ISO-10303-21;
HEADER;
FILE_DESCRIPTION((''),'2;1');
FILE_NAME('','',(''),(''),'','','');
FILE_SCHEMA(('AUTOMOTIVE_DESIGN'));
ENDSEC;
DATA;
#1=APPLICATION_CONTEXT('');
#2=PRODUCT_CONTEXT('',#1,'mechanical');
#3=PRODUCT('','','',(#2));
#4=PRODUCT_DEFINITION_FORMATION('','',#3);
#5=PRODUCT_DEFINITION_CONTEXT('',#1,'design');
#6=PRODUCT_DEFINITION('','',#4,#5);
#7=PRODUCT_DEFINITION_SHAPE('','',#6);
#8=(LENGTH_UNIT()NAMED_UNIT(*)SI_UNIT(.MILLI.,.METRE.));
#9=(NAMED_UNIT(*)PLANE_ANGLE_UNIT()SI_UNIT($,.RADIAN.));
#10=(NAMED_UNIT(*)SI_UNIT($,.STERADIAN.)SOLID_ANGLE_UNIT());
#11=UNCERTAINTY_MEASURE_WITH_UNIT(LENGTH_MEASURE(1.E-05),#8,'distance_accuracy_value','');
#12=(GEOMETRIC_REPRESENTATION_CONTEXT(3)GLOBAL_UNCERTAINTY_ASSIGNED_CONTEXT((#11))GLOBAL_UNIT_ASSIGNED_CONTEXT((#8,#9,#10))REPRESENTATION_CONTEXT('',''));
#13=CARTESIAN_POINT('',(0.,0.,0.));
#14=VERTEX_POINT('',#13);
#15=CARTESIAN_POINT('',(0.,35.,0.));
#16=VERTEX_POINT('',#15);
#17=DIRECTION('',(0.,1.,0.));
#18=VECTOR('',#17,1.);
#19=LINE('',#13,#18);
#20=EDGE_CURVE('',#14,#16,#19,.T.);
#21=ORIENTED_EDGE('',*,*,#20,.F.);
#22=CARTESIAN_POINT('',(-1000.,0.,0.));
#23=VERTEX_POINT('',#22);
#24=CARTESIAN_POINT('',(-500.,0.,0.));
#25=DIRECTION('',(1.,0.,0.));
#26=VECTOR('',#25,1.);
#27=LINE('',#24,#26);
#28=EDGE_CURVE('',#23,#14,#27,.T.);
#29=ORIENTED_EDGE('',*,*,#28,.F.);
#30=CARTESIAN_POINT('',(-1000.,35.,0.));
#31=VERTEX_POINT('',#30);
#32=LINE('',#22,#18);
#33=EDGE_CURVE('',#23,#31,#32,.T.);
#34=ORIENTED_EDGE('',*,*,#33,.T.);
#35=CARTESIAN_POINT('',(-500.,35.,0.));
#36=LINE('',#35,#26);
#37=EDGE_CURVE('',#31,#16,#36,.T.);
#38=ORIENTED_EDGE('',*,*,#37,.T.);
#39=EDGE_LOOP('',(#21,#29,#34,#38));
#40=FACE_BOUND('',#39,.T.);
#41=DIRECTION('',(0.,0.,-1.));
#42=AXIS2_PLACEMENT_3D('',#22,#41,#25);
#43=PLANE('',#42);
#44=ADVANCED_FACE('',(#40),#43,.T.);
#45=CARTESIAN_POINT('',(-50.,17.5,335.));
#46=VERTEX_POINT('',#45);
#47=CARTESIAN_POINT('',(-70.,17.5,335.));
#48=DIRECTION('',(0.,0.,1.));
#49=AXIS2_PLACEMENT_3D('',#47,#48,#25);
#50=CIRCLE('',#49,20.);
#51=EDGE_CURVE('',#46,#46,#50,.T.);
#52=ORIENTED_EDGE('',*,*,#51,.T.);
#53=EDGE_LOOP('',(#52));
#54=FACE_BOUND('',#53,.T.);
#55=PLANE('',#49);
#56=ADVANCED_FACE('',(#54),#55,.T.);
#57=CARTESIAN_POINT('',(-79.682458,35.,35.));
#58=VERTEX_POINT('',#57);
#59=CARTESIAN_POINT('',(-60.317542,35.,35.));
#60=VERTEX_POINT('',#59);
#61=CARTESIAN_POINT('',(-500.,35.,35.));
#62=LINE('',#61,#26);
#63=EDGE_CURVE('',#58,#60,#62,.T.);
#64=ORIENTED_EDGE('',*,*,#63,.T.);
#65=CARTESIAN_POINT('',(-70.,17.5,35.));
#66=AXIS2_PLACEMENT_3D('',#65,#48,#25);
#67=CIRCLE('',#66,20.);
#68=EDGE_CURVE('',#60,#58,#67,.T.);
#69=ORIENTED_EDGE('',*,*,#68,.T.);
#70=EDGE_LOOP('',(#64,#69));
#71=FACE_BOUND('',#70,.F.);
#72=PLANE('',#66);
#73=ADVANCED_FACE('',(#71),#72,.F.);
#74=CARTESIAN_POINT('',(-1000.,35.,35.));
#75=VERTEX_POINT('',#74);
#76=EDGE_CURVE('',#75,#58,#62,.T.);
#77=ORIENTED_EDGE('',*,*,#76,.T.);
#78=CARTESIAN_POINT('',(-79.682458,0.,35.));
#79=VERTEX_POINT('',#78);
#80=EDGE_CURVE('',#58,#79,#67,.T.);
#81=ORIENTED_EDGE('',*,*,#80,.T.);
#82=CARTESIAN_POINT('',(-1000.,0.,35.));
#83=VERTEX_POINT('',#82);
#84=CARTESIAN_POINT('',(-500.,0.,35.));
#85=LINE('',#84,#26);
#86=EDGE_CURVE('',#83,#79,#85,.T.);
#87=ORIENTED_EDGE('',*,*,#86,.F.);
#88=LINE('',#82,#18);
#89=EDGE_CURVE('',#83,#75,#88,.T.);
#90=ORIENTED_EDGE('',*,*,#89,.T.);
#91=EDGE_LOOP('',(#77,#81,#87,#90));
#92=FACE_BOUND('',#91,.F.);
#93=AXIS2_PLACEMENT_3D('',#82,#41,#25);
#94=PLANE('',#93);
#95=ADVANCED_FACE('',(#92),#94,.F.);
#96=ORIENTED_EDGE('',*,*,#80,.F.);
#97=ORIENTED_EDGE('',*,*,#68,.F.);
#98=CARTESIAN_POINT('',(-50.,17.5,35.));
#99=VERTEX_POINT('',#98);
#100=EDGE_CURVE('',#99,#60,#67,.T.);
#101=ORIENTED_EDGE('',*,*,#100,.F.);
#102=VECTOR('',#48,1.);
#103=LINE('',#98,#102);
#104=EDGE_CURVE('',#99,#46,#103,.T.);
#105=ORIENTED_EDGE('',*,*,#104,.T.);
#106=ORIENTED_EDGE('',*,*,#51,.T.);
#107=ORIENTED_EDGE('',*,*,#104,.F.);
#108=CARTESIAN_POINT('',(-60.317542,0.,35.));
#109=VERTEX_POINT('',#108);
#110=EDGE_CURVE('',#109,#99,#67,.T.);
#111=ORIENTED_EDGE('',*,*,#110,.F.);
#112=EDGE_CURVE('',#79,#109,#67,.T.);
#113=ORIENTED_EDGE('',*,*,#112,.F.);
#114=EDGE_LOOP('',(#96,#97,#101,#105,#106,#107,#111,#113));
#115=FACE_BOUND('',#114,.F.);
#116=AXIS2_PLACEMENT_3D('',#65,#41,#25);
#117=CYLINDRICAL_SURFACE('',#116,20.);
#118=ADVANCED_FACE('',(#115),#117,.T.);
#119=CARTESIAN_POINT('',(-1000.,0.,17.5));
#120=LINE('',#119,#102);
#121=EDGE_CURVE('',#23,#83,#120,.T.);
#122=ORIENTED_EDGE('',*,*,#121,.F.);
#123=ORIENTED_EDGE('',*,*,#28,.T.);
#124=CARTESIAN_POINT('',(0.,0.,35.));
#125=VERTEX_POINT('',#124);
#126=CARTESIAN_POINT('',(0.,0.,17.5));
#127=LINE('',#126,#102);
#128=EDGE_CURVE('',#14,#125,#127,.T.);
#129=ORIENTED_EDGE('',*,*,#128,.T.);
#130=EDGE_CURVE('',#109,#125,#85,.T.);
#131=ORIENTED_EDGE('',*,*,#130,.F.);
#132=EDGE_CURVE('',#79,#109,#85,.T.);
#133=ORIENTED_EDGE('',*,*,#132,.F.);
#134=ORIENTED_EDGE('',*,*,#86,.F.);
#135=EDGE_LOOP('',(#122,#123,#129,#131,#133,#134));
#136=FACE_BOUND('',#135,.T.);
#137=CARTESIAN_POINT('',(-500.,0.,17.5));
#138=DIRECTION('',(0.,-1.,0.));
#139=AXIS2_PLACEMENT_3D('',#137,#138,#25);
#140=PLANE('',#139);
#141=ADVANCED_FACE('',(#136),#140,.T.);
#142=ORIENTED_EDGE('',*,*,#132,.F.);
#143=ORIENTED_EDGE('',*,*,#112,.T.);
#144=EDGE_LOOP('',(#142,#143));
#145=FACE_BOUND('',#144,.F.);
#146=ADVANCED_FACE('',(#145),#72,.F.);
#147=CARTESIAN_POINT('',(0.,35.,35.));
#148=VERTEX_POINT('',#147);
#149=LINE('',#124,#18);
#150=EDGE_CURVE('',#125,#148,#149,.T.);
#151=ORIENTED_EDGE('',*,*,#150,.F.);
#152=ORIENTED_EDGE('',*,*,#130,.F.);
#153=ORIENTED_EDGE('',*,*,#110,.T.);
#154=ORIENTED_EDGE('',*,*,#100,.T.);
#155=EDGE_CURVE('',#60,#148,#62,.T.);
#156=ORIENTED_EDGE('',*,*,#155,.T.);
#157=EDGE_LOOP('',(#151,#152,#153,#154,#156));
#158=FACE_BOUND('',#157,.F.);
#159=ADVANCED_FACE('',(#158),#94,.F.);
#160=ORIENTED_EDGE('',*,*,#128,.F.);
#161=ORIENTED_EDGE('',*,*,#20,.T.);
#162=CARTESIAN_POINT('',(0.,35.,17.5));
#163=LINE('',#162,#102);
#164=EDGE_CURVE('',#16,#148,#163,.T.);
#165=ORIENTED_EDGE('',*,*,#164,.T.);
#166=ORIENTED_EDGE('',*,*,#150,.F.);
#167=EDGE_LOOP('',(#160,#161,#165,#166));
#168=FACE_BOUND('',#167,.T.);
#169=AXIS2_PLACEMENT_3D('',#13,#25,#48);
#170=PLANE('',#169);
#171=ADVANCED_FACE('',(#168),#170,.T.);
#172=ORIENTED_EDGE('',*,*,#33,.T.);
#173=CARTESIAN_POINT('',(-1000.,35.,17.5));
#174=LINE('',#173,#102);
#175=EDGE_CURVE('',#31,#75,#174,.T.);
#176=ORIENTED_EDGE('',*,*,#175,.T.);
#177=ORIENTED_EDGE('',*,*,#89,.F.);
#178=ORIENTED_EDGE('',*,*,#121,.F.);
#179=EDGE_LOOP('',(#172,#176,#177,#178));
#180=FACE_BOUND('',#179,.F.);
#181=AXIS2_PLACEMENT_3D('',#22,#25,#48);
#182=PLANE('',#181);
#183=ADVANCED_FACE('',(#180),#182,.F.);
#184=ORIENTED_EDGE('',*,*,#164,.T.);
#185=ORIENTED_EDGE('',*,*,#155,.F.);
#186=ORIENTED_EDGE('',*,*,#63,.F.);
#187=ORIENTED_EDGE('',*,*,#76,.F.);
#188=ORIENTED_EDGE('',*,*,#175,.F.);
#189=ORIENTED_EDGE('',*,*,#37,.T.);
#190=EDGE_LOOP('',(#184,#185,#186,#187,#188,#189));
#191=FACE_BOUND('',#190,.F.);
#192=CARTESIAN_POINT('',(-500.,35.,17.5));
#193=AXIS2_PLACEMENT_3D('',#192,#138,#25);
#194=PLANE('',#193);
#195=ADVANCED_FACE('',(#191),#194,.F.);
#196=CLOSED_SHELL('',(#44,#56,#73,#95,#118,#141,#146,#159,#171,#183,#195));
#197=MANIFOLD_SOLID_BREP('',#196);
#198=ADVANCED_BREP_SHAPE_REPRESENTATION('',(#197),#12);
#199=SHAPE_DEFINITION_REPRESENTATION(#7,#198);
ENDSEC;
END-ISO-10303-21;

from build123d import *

# Parameters (mm, degrees)
F0_W     = 1000
F0_H     = 35
F1_DEPTH = 35
F2_R     = 20
F3_DEPTH = 300


with BuildPart() as f1:
    # F0 (on Front) → F1 (new body)
    with BuildSketch(Plane.XZ):
        with Locations((-500, 17.5)):
            Rectangle(F0_W, F0_H)
    extrude(amount=-F1_DEPTH)

    # F2 (on face) → F3 (join)
    with BuildSketch(Plane.XY.offset(35)):
        with Locations((-70, 17.5)):
            Circle(F2_R)
    extrude(amount=F3_DEPTH)


solid = f1.part
